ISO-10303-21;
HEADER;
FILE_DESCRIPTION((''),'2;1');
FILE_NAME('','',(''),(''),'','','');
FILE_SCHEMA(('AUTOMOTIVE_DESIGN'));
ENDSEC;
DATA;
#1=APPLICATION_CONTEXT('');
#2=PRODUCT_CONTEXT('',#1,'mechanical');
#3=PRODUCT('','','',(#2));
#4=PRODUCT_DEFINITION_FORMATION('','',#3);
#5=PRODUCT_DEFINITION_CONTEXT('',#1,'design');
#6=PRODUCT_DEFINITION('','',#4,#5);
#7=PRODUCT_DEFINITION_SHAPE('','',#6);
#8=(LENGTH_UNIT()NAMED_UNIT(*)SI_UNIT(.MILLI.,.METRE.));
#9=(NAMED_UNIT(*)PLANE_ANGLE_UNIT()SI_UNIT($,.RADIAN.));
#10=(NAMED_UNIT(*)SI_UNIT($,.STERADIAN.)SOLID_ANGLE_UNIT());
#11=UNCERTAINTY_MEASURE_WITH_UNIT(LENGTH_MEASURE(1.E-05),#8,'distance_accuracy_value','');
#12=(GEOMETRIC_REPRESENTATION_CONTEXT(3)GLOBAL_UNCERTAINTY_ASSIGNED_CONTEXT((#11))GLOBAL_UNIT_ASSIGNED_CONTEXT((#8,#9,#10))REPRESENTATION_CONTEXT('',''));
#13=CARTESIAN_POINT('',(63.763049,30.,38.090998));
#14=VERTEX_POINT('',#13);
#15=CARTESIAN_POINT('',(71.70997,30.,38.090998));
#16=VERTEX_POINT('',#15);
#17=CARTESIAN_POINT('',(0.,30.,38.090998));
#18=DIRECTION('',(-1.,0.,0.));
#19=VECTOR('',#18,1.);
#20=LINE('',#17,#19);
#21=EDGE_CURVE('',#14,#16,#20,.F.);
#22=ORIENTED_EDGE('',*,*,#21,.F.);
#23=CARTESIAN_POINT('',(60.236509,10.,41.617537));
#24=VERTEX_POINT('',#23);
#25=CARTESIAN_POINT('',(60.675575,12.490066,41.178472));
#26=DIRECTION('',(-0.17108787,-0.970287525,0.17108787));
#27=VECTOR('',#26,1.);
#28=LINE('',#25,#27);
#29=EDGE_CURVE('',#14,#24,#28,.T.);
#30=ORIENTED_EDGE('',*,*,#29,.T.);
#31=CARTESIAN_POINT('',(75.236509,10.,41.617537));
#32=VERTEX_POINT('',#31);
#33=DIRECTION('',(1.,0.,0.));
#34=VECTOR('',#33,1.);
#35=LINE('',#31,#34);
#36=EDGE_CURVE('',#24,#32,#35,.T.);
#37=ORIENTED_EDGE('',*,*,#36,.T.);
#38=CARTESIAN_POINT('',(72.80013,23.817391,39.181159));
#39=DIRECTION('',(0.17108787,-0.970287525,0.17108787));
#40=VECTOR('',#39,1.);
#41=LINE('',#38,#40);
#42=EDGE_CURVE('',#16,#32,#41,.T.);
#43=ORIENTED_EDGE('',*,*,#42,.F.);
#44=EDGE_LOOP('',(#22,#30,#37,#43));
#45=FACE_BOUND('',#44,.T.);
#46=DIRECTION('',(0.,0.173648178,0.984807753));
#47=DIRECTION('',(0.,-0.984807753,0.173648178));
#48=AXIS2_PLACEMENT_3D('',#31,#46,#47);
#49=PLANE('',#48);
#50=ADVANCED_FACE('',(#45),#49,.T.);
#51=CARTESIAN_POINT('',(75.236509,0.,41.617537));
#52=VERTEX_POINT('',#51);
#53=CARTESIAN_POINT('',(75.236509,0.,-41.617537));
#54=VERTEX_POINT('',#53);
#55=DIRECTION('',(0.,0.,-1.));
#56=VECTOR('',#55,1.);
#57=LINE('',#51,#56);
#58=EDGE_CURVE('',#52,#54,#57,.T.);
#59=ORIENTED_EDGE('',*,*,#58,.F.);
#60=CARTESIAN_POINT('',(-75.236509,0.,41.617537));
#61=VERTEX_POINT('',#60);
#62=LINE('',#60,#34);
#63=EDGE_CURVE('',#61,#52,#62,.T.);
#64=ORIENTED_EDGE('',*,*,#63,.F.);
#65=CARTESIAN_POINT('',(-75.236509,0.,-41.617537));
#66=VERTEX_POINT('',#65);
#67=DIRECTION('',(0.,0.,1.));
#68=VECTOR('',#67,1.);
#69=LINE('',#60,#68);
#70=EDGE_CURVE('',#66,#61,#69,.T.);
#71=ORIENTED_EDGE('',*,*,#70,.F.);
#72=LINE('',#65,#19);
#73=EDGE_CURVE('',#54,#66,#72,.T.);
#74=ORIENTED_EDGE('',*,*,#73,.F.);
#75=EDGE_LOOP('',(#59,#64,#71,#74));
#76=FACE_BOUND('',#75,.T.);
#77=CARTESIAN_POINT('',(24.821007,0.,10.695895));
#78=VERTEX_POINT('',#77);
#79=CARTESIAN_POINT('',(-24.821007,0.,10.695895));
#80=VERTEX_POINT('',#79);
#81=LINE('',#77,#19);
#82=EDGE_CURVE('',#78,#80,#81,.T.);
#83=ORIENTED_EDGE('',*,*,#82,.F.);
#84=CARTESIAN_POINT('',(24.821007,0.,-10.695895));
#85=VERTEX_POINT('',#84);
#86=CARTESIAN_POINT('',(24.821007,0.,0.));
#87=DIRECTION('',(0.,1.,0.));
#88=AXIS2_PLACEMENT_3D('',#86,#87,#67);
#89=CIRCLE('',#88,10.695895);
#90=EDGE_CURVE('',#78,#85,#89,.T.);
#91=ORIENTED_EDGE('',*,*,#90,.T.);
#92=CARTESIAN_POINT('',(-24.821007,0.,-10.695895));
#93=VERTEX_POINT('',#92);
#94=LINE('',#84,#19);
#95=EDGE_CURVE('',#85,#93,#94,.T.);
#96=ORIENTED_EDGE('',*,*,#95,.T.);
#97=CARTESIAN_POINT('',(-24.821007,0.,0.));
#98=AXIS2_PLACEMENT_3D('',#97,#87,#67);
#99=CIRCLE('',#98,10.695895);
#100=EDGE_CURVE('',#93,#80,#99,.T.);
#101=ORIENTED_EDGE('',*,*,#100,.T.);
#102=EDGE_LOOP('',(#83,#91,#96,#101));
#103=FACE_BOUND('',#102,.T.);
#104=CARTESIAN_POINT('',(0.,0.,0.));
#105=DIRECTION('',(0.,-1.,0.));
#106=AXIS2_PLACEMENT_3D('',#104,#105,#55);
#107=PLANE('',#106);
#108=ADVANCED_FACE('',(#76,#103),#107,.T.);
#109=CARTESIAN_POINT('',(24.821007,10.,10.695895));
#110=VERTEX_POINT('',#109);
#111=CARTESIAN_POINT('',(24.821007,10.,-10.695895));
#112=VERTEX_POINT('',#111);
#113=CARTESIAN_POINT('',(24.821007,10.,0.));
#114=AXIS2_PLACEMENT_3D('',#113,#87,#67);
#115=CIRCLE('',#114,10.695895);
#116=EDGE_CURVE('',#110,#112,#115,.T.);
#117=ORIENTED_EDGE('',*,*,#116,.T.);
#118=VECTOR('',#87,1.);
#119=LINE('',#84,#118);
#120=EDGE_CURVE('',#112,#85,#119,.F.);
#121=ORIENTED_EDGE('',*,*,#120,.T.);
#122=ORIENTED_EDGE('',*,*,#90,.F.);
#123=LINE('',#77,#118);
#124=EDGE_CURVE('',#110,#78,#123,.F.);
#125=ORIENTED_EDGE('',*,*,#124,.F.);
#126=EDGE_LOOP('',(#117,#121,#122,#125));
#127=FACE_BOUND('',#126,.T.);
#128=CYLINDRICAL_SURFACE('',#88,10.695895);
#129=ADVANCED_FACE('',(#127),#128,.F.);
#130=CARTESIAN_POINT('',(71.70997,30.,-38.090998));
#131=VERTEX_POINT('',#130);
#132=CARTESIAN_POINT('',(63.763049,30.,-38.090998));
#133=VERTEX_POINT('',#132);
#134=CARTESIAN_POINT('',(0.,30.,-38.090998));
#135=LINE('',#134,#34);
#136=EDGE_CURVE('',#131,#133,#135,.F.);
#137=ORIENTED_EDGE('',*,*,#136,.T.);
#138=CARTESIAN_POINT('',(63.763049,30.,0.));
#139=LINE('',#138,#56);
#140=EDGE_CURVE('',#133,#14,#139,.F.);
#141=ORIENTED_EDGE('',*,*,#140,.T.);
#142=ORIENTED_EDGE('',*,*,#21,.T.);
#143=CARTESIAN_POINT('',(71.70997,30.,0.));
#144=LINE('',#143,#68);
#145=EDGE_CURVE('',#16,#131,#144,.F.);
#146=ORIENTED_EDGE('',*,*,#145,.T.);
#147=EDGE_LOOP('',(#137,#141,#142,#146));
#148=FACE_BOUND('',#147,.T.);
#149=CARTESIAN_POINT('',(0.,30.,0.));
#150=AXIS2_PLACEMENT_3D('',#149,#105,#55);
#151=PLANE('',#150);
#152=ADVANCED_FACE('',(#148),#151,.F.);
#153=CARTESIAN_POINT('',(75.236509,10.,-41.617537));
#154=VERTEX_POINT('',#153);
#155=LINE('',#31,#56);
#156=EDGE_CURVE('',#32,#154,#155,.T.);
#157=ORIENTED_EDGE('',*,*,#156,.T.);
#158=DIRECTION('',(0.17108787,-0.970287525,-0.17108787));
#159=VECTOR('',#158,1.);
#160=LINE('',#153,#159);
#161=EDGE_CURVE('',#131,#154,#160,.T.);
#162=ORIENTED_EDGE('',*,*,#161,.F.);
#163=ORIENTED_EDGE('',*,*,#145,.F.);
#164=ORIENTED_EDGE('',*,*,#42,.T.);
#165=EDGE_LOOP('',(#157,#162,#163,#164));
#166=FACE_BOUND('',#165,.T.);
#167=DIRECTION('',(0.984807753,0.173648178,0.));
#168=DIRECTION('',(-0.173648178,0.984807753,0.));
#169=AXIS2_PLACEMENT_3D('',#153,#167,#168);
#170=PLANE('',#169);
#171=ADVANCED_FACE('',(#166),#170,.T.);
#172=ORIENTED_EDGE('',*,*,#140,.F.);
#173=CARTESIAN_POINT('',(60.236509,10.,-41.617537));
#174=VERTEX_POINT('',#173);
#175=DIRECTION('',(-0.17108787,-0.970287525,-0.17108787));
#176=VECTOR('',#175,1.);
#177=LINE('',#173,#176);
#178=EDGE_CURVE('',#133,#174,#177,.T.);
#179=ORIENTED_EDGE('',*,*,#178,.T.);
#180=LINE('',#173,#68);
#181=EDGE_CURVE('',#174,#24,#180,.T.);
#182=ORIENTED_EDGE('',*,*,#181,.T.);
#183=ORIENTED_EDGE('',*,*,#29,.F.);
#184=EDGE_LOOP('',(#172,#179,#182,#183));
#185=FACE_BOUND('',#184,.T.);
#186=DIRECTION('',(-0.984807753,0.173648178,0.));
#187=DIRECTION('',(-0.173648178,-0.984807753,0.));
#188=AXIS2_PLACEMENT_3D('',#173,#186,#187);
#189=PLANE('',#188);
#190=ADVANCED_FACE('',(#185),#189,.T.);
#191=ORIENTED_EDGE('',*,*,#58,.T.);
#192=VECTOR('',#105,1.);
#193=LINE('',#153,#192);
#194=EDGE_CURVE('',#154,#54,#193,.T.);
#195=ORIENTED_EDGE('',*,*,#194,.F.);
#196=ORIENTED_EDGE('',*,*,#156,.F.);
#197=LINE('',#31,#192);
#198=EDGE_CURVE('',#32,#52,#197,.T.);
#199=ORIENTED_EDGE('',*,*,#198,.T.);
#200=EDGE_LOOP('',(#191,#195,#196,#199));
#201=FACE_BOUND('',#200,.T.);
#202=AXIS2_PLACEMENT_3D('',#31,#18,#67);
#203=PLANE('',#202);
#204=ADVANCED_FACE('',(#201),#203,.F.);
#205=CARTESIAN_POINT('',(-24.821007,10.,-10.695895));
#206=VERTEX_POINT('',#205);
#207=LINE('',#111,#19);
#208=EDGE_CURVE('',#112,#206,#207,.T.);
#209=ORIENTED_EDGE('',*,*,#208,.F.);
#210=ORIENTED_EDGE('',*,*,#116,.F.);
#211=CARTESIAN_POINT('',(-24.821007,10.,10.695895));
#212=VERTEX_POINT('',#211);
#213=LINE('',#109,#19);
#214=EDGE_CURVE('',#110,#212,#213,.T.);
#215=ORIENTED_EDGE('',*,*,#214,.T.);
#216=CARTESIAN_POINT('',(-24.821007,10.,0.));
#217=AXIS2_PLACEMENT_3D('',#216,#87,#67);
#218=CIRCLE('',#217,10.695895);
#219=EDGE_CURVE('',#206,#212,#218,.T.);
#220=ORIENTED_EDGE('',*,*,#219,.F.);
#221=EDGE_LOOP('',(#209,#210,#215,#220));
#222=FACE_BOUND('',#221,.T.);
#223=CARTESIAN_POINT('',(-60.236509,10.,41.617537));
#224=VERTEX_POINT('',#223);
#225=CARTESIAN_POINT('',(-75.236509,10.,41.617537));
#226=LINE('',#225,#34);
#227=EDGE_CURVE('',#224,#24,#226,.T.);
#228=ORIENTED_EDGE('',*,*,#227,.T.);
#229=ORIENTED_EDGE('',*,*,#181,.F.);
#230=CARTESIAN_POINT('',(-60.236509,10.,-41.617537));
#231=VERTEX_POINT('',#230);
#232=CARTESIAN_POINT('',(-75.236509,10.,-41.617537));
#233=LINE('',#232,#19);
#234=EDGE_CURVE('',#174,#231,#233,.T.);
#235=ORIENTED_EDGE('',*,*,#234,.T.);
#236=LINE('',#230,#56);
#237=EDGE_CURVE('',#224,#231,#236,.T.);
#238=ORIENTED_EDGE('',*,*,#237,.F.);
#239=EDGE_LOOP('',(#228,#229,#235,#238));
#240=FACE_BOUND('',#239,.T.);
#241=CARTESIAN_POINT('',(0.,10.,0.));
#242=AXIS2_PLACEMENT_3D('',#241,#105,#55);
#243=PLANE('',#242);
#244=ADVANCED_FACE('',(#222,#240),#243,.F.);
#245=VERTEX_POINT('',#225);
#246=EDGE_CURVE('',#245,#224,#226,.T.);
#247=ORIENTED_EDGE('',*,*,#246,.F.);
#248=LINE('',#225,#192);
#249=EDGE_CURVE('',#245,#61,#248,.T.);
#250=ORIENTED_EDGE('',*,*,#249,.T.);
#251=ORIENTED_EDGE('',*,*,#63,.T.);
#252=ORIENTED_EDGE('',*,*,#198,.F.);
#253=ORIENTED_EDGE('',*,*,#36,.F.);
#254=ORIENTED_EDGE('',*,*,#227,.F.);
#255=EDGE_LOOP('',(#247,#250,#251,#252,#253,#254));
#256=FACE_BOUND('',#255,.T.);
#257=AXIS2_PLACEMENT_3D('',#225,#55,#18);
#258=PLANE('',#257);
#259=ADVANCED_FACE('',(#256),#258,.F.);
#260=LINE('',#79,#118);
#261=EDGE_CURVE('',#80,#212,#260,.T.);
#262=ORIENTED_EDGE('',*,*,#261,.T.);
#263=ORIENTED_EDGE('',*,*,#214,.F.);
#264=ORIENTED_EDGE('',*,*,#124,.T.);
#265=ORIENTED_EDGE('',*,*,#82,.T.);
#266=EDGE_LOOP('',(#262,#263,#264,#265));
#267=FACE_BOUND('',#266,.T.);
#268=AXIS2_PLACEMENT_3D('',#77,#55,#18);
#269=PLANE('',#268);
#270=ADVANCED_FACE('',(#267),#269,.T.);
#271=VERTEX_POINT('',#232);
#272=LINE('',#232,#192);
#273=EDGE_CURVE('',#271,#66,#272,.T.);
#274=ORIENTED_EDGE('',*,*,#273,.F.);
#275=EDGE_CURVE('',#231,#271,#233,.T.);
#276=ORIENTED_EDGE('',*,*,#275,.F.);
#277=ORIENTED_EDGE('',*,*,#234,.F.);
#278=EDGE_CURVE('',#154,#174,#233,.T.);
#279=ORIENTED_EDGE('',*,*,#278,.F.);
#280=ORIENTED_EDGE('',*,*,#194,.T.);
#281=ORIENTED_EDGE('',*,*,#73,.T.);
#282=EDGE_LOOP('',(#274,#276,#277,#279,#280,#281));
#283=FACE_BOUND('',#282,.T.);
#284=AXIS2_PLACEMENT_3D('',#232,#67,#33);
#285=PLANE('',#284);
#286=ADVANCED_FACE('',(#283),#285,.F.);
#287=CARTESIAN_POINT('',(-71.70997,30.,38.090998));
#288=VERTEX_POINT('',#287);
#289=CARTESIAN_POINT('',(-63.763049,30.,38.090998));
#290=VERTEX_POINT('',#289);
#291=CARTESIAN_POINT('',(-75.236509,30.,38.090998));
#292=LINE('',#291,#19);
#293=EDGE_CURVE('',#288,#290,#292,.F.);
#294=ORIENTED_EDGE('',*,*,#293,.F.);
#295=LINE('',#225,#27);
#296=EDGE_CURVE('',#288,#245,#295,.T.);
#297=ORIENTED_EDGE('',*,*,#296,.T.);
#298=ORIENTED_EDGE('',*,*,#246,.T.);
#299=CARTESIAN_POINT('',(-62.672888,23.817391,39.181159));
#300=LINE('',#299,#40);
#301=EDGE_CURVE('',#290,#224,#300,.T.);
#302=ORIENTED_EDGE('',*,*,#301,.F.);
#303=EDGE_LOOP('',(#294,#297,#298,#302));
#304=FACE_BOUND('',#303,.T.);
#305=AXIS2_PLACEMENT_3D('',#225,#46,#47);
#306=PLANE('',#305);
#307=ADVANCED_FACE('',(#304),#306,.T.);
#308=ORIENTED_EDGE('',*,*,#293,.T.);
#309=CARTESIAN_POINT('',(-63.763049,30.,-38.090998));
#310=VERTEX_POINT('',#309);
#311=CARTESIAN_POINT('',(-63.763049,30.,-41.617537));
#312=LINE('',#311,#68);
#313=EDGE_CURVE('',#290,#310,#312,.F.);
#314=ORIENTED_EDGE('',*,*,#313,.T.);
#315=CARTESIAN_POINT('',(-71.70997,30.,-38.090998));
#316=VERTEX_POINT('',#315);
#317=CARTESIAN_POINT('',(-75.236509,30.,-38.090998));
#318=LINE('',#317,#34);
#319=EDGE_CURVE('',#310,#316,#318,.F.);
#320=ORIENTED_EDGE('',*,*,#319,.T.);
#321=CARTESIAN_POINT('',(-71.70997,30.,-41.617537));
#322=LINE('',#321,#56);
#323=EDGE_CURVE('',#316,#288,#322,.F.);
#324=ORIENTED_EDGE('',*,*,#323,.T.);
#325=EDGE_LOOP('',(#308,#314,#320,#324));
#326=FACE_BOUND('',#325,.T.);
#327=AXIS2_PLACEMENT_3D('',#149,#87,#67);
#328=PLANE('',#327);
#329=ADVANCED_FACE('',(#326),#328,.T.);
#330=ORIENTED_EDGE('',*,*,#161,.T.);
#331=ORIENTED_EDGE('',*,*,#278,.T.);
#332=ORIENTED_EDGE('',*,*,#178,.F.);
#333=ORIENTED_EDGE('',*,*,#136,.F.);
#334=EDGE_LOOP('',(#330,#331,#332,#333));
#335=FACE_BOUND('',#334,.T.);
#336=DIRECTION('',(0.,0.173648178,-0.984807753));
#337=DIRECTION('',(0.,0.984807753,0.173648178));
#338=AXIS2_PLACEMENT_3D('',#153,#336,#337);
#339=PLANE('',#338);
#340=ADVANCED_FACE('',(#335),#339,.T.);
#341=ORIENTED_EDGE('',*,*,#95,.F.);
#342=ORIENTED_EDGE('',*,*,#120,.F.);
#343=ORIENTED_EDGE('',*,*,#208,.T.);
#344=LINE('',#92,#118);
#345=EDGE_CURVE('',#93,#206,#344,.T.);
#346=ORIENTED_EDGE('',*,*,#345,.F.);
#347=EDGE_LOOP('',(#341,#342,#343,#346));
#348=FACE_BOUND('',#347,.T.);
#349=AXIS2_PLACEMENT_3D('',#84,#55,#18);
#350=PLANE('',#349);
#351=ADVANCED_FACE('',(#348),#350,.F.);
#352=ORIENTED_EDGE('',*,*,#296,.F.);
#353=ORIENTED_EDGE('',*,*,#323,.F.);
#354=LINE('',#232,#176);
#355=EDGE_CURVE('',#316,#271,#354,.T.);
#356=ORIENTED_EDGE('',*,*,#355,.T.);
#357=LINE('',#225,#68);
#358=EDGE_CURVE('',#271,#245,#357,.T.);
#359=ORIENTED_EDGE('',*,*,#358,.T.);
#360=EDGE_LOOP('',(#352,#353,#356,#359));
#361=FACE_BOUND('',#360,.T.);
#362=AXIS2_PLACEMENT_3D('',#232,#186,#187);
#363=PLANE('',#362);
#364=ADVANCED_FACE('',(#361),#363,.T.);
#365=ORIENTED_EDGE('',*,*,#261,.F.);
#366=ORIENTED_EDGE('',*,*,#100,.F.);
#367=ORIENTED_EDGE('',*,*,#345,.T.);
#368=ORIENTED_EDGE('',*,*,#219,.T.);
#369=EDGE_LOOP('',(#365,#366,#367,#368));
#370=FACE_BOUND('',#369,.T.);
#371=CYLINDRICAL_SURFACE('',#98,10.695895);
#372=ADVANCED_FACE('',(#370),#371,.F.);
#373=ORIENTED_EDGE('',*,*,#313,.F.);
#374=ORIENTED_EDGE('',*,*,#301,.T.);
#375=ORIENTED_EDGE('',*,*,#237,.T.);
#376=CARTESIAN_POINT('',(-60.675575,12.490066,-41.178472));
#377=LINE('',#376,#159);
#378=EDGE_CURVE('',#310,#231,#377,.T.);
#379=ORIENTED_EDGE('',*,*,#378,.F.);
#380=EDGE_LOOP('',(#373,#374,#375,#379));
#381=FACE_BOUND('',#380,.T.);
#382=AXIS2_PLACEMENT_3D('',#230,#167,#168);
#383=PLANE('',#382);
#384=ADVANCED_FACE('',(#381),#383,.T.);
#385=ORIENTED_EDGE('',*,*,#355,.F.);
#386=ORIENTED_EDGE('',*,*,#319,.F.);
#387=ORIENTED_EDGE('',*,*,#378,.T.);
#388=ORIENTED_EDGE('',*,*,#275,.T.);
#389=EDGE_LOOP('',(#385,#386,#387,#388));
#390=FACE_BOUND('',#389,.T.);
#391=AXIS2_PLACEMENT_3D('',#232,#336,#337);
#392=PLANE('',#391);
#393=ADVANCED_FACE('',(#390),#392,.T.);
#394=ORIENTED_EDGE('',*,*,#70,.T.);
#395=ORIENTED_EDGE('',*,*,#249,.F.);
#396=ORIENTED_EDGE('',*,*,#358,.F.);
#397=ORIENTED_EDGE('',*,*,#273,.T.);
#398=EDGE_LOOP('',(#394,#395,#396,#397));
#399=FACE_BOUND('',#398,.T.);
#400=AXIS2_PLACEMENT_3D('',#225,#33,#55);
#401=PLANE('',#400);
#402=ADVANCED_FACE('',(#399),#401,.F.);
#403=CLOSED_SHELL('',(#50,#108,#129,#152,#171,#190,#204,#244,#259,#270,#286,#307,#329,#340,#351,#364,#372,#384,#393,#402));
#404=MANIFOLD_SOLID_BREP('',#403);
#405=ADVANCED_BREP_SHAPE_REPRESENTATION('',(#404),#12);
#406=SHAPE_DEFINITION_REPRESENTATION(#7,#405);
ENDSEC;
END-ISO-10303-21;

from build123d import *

# Parameters (mm, degrees)
SKETCH11_W                    = 150.473018286
SKETCH11_H                    = 83.2350749
BOSS_EXTRUDE1_DEPTH           = 10
SKETCH13_W                    = 15
SKETCH13_H                    = 83.2350749
BOSS_EXTRUDE2_DEPTH           = 20
BOSS_EXTRUDE2_DRAFT           = 10
BOSS_EXTRUDE2_PROFILE_2_DEPTH = 20
BOSS_EXTRUDE2_PROFILE_2_DRAFT = 10
SKETCH16_R                    = 10.695894528
SKETCH16_W                    = 49.642014298
SKETCH16_H                    = 21.391789056
CUT_EXTRUDE17_DEPTH           = 10


with BuildPart() as part:
    # Sketch11 → Boss-Extrude1 (new body)
    with BuildSketch(Plane(origin=(0, 0, 0), x_dir=(1, 0, 0), z_dir=(0, 1, 0))):
        Rectangle(SKETCH11_W, SKETCH11_H)
    extrude(amount=BOSS_EXTRUDE1_DEPTH)


with BuildPart() as boss_extrude2_tool:
    # Sketch13 → Boss-Extrude2 (with draft: the straight prism first)
    with BuildSketch(Plane(origin=(0, 10, 0), x_dir=(1, 0, 0), z_dir=(0, 1, 0))):
        with Locations((-67.736509143, 0)):
            Rectangle(SKETCH13_W, SKETCH13_H)
    extrude(amount=BOSS_EXTRUDE2_DEPTH)
    # Boss-Extrude2: the draft: its side faces are tilted about the plane it starts from
    boss_extrude2_sides = [boss_extrude2_tool.faces().sort_by_distance(p)[0] for p in [
        (-75.236509143, 20, 0),
        (-67.736509143, 20, 41.61753745),
        (-60.236509143, 20, 0),
        (-67.736509143, 20, -41.61753745),
    ]]
    draft(boss_extrude2_sides, Plane(origin=(0, 10, 0), x_dir=(1, 0, 0), z_dir=(0, 1, 0)), BOSS_EXTRUDE2_DRAFT)


with BuildPart() as part_1:
    add(part.part)

    # Boss-Extrude2: add boss_extrude2_tool
    add(boss_extrude2_tool.part)


with BuildPart() as boss_extrude2_profile_2_tool:
    # Sketch13 → Boss-Extrude2 profile 2 (with draft: the straight prism first)
    with BuildSketch(Plane(origin=(0, 10, 0), x_dir=(1, 0, 0), z_dir=(0, 1, 0))):
        with Locations((67.736509143, 0)):
            Rectangle(SKETCH13_W, SKETCH13_H)
    extrude(amount=BOSS_EXTRUDE2_PROFILE_2_DEPTH)
    # Boss-Extrude2 profile 2: the draft: its side faces are tilted about the plane it starts from
    boss_extrude2_profile_2_sides = [boss_extrude2_profile_2_tool.faces().sort_by_distance(p)[0] for p in [
        (67.736509143, 20, -41.61753745),
        (60.236509143, 20, 0),
        (67.736509143, 20, 41.61753745),
        (75.236509143, 20, 0),
    ]]
    draft(boss_extrude2_profile_2_sides, Plane(origin=(0, 10, 0), x_dir=(1, 0, 0), z_dir=(0, 1, 0)), BOSS_EXTRUDE2_PROFILE_2_DRAFT)


with BuildPart() as part_2:
    add(part_1.part)

    # Boss-Extrude2 profile 2: add boss_extrude2_profile_2_tool
    add(boss_extrude2_profile_2_tool.part)

    # Sketch16 → Cut-Extrude17 (cut)
    with BuildSketch(Plane(origin=(0, 10, 0), x_dir=(1, 0, 0), z_dir=(0, 1, 0))):
        with Locations((24.821007149, 0)):
            Circle(SKETCH16_R)
        with Locations((-24.821007149, 0)):
            Circle(SKETCH16_R)
        Rectangle(SKETCH16_W, SKETCH16_H)
    extrude(amount=-CUT_EXTRUDE17_DEPTH, mode=Mode.SUBTRACT)


solid = part_2.part
